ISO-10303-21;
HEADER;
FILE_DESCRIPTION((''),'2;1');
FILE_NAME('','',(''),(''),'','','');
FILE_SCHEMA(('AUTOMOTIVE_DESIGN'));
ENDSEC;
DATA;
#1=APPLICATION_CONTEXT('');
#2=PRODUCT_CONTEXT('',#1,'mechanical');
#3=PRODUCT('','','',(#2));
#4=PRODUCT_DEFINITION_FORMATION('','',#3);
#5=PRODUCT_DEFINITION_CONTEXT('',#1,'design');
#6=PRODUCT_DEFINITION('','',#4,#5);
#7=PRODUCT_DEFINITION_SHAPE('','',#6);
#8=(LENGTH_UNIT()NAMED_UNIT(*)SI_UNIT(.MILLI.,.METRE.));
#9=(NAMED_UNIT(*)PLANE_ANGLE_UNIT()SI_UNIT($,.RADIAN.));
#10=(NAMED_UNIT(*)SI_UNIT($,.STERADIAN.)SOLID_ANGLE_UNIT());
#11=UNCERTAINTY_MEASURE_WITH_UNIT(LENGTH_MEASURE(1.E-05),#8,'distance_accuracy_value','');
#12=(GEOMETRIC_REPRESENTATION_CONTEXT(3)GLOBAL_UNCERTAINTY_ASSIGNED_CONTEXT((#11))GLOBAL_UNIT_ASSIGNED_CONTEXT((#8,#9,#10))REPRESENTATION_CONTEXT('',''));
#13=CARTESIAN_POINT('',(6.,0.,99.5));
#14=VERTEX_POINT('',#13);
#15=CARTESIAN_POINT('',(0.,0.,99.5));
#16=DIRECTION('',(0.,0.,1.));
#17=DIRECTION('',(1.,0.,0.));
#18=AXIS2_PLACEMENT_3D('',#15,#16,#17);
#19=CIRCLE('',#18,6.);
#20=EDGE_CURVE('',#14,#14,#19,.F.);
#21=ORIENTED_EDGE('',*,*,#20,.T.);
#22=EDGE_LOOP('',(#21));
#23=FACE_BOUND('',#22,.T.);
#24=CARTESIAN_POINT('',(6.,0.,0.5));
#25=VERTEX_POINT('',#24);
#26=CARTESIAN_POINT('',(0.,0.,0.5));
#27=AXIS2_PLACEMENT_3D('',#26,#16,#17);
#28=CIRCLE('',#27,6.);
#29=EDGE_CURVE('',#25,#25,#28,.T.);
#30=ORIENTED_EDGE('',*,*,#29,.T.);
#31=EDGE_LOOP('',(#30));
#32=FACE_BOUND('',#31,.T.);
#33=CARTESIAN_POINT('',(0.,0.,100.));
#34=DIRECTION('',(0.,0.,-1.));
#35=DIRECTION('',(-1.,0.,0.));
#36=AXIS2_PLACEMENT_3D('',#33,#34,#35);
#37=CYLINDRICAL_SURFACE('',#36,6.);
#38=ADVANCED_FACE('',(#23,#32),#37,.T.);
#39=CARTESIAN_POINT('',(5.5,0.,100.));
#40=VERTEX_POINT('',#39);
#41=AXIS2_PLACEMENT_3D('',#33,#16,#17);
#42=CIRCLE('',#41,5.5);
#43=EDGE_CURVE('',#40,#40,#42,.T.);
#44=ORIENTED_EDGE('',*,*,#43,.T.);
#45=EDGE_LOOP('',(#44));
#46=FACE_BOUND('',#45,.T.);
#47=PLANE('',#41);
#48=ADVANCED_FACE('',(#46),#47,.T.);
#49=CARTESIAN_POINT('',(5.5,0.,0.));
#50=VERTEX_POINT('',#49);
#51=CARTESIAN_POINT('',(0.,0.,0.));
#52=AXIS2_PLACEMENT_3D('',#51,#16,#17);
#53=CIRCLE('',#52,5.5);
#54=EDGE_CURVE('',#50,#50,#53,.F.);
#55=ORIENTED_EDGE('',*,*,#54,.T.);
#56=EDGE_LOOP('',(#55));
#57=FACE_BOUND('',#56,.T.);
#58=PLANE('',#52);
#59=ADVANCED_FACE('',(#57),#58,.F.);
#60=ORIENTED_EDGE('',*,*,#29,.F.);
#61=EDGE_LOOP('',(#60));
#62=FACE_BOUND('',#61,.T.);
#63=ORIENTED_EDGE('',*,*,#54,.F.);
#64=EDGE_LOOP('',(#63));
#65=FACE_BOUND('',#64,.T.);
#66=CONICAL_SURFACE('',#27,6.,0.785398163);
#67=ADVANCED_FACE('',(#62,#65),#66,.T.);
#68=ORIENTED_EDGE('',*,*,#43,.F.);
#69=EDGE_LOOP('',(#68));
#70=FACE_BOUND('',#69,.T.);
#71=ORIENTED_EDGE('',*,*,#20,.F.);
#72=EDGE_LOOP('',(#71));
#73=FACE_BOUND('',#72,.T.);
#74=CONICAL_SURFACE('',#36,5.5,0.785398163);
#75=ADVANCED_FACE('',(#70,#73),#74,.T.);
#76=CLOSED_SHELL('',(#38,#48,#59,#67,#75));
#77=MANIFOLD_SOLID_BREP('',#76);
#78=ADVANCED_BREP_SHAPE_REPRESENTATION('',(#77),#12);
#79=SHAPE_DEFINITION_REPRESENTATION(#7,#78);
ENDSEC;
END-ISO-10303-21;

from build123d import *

# Parameters (mm, degrees)
ESQUISSE1_R        = 6
BOSS_EXTRU_1_DEPTH = 100
CHANFREIN1_SIZE    = 0.5


with BuildPart() as part:
    # Esquisse1 → Boss.-Extru.1 (new body)
    with BuildSketch(Plane.XY):
        Circle(ESQUISSE1_R)
    extrude(amount=BOSS_EXTRU_1_DEPTH)

    # Chanfrein1
    chanfrein1_edges = [part.edges().sort_by_distance(p)[0] for p in [
        (-6, 0, 0),
        (-6, 0, 100),
    ]]
    chamfer(chanfrein1_edges, length=CHANFREIN1_SIZE)


solid = part.part
